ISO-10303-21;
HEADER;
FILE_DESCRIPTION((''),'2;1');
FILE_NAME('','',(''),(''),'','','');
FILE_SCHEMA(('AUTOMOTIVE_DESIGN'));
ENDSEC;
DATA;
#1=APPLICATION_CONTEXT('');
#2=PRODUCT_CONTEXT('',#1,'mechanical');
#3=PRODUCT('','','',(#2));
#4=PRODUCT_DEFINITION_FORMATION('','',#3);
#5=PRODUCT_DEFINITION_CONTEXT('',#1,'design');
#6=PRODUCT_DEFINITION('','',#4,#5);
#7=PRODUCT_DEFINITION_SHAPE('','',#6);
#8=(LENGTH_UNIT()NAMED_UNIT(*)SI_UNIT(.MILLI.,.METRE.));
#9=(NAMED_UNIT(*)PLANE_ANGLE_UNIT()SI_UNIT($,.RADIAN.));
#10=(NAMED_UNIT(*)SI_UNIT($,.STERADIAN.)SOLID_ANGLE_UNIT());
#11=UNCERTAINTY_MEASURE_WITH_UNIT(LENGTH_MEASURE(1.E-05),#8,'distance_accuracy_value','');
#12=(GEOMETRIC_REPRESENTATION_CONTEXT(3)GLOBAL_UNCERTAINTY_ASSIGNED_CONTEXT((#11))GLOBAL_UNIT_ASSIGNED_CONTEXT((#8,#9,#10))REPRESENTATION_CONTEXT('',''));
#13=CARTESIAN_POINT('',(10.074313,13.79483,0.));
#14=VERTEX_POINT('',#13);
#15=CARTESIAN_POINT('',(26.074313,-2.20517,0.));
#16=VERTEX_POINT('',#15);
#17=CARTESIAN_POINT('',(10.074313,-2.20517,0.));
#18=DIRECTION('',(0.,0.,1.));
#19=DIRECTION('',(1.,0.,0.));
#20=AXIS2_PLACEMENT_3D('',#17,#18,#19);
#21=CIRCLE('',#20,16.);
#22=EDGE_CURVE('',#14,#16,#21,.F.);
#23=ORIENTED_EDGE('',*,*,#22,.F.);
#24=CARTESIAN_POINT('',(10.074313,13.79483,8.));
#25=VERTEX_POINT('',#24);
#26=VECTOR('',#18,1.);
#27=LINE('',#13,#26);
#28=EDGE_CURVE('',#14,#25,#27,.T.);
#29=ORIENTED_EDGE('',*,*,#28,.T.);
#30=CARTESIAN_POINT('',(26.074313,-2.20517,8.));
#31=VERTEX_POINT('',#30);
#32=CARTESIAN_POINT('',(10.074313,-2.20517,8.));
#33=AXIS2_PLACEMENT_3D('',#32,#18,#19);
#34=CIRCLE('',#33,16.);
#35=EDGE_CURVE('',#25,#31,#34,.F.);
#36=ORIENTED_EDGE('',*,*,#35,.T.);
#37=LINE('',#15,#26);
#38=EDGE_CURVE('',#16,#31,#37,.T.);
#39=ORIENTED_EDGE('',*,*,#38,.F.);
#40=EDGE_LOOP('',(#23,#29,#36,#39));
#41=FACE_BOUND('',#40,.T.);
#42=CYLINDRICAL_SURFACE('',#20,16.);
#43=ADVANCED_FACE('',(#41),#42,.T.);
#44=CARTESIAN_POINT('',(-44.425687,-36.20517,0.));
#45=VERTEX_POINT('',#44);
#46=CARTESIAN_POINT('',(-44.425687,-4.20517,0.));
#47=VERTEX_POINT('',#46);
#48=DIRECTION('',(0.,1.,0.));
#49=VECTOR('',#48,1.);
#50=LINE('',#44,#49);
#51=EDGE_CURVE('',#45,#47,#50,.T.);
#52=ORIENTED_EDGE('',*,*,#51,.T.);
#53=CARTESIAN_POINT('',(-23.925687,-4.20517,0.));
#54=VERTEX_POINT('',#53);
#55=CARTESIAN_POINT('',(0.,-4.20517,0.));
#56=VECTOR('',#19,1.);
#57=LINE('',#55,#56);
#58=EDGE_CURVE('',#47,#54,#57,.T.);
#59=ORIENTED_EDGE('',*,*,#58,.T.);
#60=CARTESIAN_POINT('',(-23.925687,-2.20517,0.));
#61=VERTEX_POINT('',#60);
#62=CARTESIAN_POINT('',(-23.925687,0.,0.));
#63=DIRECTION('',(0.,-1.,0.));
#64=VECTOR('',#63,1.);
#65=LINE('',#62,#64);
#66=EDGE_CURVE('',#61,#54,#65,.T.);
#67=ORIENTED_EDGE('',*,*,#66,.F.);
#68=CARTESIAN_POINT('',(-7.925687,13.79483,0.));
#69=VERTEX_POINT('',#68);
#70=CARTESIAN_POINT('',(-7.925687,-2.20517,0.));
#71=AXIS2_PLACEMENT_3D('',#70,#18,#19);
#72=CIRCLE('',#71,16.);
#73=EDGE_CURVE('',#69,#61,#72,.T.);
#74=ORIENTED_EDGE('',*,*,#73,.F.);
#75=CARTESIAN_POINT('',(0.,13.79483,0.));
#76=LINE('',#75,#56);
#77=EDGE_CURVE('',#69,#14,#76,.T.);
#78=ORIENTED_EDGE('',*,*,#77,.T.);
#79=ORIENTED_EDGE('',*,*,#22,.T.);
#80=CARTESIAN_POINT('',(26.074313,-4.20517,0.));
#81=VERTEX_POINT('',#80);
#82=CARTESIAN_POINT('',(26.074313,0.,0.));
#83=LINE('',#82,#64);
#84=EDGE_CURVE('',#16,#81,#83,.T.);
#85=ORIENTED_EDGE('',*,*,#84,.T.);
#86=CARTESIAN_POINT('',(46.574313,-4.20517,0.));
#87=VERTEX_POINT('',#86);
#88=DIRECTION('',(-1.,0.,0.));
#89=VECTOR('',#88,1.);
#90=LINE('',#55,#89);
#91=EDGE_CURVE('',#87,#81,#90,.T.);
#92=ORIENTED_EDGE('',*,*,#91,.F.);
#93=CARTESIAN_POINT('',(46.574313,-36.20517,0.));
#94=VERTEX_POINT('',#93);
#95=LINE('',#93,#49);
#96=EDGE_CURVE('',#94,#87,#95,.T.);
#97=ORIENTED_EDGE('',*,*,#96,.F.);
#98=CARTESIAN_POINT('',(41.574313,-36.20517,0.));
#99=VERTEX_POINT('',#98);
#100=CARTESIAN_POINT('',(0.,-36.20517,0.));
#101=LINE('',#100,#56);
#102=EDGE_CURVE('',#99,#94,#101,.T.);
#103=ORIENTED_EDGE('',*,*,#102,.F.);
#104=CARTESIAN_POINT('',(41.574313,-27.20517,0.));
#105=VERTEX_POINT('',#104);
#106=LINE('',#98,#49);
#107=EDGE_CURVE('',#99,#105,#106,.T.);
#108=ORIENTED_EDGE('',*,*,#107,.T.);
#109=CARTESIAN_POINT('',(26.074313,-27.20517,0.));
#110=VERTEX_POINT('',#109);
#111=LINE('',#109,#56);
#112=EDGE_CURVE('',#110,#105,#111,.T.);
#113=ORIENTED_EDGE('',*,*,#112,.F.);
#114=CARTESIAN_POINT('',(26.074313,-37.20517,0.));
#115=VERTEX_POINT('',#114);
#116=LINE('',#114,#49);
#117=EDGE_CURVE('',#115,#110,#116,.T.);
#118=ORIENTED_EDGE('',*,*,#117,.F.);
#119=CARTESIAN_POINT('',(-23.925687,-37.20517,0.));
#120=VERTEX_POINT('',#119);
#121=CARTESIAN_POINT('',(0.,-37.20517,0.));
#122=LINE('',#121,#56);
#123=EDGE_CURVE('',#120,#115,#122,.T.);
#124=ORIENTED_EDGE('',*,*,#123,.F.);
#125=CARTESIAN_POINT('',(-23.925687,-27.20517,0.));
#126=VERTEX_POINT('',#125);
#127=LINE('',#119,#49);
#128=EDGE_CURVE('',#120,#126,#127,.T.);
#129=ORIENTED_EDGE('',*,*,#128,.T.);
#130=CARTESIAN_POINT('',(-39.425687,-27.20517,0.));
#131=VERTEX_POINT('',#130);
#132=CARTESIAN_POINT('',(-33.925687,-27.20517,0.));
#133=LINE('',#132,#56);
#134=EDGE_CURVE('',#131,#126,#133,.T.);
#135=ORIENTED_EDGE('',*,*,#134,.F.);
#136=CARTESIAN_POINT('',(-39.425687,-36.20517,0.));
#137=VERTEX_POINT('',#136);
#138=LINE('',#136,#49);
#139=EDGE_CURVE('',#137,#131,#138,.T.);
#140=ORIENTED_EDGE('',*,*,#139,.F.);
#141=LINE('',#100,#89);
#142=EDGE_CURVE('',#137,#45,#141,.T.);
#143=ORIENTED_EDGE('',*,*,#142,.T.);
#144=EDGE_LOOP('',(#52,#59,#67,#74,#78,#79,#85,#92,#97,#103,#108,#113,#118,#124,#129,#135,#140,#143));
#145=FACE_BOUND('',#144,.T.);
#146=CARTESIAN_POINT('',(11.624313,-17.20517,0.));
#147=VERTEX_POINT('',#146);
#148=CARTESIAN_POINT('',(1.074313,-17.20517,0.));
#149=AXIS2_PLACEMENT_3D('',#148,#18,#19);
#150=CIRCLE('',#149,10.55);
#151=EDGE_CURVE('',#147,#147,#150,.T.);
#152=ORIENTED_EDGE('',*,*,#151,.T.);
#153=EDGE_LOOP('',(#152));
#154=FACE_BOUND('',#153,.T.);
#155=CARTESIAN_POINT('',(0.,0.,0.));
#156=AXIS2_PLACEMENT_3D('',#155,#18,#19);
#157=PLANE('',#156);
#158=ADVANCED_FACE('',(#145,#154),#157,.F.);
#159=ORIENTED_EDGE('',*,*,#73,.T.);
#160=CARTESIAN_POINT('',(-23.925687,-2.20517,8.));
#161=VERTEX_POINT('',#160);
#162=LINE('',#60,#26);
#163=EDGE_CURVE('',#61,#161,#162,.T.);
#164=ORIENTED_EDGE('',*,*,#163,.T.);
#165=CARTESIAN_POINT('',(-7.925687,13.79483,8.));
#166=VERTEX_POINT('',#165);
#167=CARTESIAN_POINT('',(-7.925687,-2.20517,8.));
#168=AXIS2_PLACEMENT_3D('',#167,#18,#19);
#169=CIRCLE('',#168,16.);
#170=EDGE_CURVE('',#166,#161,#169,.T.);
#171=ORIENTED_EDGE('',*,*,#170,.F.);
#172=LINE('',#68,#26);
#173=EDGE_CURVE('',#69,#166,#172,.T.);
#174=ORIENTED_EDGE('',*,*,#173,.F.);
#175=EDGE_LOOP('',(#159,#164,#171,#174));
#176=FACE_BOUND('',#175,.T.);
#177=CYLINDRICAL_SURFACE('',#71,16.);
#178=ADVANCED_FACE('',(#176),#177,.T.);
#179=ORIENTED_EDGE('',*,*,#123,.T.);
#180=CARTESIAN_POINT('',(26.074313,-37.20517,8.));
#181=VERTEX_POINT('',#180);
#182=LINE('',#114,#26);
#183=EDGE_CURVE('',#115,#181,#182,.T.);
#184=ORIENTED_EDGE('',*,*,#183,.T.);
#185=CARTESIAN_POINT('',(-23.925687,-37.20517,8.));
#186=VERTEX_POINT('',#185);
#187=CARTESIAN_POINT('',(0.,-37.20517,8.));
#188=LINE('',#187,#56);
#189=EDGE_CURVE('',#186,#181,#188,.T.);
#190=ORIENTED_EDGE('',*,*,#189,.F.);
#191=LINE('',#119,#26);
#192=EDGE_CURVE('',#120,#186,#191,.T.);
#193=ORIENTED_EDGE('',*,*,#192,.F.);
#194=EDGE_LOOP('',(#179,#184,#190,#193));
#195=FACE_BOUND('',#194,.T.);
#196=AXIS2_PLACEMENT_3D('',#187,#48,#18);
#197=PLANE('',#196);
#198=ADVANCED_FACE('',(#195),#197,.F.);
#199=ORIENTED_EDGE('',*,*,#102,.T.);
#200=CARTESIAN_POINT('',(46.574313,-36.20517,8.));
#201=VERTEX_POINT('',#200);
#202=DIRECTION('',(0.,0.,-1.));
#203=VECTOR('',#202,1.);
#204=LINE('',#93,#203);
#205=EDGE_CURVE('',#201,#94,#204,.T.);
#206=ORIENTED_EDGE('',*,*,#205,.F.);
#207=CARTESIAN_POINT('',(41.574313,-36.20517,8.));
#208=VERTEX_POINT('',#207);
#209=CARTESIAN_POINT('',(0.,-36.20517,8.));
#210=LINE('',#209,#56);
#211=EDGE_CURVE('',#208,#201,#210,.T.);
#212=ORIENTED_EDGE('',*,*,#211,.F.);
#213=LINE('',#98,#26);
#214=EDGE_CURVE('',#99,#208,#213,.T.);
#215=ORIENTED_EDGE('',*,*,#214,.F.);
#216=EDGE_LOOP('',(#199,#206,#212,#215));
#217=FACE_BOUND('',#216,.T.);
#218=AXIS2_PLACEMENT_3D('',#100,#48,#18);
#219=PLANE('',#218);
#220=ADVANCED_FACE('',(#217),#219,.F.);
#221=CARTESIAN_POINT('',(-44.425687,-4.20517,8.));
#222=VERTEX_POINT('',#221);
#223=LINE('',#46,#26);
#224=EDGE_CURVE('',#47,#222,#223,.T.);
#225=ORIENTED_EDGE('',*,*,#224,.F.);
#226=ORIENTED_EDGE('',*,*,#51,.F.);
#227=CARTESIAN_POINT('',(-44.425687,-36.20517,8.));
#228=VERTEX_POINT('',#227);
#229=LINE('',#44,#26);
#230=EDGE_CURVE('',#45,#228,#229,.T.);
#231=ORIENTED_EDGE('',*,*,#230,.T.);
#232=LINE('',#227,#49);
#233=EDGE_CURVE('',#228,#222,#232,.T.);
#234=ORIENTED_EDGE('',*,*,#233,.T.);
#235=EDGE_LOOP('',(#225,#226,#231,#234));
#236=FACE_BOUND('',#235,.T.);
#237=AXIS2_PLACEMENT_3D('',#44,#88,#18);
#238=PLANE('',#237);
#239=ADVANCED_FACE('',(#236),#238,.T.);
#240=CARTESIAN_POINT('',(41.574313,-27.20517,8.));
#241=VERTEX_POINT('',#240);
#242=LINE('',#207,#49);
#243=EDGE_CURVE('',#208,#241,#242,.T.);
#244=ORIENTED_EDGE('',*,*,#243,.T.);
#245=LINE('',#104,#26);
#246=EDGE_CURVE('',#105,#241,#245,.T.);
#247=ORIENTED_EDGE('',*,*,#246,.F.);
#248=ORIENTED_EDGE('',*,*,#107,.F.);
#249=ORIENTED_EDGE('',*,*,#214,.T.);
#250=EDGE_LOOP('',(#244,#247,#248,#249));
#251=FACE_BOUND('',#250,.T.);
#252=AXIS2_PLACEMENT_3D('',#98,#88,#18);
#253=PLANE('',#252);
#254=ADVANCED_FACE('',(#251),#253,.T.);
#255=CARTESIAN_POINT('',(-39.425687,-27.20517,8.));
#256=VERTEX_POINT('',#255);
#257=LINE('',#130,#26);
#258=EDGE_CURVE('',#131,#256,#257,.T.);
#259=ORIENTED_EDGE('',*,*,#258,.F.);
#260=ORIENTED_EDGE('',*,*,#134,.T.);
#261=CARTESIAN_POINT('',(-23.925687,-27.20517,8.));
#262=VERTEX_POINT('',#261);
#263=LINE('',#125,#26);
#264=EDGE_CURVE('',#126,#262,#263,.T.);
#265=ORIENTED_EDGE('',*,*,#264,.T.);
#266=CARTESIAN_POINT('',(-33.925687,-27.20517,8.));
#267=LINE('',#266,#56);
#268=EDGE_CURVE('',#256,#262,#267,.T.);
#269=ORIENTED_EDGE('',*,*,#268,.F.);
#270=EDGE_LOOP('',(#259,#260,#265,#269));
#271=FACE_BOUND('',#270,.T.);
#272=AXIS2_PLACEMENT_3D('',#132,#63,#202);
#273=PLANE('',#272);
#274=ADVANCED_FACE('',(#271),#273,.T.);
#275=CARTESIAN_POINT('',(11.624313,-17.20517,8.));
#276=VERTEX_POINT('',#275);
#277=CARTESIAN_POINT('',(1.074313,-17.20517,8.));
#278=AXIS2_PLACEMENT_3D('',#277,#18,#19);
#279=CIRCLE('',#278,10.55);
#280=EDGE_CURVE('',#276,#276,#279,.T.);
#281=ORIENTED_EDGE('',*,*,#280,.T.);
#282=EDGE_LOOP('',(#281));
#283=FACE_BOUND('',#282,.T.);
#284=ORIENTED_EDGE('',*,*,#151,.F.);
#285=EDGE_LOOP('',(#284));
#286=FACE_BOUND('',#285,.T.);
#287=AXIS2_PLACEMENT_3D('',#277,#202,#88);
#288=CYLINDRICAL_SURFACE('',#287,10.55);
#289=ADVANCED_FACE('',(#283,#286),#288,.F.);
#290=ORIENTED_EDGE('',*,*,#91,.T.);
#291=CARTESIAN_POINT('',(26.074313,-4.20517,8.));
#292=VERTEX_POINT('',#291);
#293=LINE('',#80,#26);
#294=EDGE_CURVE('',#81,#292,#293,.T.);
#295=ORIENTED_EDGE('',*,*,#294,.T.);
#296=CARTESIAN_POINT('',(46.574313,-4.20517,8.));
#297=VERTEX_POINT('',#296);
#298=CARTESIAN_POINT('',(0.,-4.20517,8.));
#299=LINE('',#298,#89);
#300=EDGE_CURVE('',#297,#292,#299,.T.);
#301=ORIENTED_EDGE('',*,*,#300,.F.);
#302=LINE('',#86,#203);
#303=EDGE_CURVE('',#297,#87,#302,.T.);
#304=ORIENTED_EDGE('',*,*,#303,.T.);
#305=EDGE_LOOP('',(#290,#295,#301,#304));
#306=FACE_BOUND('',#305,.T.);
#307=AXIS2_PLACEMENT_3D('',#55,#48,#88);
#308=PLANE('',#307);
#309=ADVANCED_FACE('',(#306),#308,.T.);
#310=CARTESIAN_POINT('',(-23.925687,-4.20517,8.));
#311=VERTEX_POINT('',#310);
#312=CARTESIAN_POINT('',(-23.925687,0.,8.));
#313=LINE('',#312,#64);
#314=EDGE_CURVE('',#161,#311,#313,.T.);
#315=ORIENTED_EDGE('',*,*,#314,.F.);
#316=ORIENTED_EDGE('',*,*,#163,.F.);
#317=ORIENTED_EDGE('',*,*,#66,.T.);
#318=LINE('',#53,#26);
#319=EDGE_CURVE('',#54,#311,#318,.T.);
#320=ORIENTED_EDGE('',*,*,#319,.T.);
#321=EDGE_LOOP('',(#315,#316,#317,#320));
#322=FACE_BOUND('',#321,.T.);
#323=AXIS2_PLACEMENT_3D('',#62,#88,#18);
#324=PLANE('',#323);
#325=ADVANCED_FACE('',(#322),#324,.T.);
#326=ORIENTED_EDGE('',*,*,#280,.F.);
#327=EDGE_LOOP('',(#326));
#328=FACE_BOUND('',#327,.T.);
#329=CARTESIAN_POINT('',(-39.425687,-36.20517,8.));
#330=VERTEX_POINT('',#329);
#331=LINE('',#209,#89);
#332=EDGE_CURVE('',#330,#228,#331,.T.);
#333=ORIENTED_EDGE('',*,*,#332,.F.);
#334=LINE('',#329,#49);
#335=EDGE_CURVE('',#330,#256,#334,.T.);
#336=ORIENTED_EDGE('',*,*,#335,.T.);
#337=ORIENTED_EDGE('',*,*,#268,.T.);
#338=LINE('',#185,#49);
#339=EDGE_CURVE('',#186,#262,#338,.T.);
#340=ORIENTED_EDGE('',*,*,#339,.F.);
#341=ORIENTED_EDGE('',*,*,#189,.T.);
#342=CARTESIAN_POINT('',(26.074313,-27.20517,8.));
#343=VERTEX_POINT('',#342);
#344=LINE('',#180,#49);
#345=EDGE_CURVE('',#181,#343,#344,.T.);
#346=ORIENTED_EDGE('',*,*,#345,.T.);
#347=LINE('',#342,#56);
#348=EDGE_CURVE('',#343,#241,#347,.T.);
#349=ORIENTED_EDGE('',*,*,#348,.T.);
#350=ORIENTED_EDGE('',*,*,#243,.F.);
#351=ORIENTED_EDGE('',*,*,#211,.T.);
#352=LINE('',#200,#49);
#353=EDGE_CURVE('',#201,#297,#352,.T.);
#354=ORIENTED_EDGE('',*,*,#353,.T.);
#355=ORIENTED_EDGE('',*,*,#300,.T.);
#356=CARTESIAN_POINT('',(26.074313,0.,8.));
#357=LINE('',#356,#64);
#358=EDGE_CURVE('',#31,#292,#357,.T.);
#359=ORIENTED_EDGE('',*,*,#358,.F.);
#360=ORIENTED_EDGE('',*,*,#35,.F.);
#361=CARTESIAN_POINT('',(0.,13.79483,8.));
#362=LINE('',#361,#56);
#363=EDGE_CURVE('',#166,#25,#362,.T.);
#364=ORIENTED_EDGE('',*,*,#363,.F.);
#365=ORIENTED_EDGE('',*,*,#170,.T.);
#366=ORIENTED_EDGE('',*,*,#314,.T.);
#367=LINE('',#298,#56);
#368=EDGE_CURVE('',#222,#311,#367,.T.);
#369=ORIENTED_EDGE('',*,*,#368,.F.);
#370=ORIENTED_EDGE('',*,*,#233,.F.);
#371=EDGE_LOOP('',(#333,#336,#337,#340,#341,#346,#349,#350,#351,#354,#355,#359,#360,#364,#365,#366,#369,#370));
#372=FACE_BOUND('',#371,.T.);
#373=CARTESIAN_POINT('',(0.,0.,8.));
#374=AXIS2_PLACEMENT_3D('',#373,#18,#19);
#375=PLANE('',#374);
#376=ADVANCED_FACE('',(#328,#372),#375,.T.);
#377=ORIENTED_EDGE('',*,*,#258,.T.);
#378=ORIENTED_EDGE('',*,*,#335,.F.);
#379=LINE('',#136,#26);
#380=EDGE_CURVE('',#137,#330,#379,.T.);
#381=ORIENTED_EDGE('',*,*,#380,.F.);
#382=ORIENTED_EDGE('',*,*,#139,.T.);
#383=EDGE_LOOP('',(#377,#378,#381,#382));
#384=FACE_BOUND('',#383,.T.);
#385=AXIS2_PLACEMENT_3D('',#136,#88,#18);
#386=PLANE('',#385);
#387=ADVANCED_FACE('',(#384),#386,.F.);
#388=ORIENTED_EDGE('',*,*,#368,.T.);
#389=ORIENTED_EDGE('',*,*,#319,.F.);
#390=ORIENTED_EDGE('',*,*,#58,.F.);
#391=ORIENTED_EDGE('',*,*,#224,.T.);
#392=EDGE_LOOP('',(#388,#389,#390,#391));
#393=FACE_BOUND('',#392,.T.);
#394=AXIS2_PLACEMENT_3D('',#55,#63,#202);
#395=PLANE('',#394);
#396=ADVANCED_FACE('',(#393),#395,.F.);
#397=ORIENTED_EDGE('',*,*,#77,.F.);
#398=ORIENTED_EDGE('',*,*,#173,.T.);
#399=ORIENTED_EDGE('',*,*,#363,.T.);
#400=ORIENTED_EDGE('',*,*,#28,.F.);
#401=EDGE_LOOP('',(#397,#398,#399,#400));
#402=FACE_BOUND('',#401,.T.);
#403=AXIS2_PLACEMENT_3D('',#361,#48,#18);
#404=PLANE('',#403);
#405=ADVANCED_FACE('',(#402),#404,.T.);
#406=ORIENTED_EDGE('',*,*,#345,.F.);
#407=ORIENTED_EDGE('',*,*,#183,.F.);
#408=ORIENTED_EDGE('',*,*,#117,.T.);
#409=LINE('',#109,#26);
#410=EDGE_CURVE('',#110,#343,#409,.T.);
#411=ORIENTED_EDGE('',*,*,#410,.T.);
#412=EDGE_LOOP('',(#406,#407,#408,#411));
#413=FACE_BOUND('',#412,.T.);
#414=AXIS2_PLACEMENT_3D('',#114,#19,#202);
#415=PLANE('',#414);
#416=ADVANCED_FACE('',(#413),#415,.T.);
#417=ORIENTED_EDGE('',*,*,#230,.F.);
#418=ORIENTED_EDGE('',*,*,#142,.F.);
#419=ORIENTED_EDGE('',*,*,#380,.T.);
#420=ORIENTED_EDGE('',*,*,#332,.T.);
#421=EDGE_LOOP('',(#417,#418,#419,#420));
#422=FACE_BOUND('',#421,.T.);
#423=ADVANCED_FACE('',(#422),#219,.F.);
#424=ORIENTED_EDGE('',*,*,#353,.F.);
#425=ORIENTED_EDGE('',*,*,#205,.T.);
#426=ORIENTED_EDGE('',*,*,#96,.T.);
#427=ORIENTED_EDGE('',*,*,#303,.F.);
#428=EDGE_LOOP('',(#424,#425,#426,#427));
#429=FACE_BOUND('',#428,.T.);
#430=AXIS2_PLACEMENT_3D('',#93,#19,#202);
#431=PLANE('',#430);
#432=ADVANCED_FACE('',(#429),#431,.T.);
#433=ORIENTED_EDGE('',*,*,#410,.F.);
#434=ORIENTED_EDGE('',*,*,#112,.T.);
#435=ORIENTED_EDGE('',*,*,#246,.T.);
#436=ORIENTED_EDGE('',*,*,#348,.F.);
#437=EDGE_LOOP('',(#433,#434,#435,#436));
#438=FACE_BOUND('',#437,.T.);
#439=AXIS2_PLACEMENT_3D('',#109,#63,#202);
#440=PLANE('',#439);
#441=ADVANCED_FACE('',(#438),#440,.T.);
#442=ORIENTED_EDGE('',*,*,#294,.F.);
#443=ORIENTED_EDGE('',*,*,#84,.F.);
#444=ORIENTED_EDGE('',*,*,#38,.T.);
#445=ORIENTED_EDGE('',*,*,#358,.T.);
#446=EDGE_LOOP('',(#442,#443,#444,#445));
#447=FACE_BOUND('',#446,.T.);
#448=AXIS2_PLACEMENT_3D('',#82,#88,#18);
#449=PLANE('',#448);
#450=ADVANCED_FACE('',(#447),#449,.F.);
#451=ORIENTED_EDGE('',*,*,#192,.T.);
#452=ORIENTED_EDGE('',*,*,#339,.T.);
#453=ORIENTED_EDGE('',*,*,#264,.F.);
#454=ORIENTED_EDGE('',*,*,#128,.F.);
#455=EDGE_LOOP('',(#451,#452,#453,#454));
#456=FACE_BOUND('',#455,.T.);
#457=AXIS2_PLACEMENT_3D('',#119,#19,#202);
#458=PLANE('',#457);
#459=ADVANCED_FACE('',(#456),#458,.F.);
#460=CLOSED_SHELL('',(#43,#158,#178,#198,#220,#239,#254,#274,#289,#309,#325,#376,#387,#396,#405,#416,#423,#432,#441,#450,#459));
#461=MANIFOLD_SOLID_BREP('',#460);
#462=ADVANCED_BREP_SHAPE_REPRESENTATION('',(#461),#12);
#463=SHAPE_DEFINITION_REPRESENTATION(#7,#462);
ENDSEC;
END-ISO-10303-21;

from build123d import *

# Parameters (mm, degrees)
BOSS_EXTRUDE1_DEPTH = 8
SKETCH3_W           = 10
SKETCH3_H           = 10
CUT_EXTRUDE1_DEPTH  = 53.436444721
SKETCH5_W           = 5.5
SKETCH5_H           = 8
BOSS_EXTRUDE2_DEPTH = 23
SKETCH5_3_W         = 5
SKETCH5_3_H         = 8
BOSS_EXTRUDE3_DEPTH = 32
SKETCH5_5_W         = 5
SKETCH5_5_H         = 8
BOSS_EXTRUDE4_DEPTH = 32
SKETCH5_6_W         = 5.5
SKETCH5_6_H         = 8
BOSS_EXTRUDE5_DEPTH = 23


with BuildPart() as part:
    # Sketch2 → Boss-Extrude1 (new body)
    with BuildSketch(Plane.XY):
        Polygon((36.074313409, 13.794830372), (-33.925686591, 13.794830372), (-33.925686591, -37.205169628), (1.074313409, -37.205169628), (36.074313409, -37.205169628), align=None)
        with BuildLine():
            ThreePointArc((11.624313409, -17.205169628), (8.53428995, -24.66514617), (1.074313409, -27.755169628))
            ThreePointArc((1.074313409, -27.755169628), (-6.385663133, -9.745193087), (11.624313409, -17.205169628))
        make_face(mode=Mode.SUBTRACT)
    extrude(amount=BOSS_EXTRUDE1_DEPTH)

    # Sketch3 → Cut-Extrude1 (cut, through all)
    with BuildSketch(Plane.XY.offset(8)):
        with Locations((31.074313409, -32.205169628)):
            Rectangle(SKETCH3_W, SKETCH3_H)
        with Locations((-28.925686591, -32.205169628)):
            Rectangle(SKETCH3_W, SKETCH3_H)
        with BuildLine():
            ThreePointArc((-23.925686591, -2.205169628), (-19.23939509, 9.108538871), (-7.925686591, 13.794830372))
            Line((-7.925686591, 13.794830372), (-33.925686591, 13.794830372))
            Line((-33.925686591, 13.794830372), (-33.925686591, -4.205169628))
            Line((-33.925686591, -4.205169628), (-23.925686591, -4.205169628))
            Line((-23.925686591, -4.205169628), (-23.925686591, -2.205169628))
        make_face()
        with BuildLine():
            Line((26.074313409, -4.205169628), (36.074313409, -4.205169628))
            Line((36.074313409, -4.205169628), (36.074313409, 13.794830372))
            Line((36.074313409, 13.794830372), (10.074313409, 13.794830372))
            ThreePointArc((10.074313409, 13.794830372), (21.388021908, 9.108538871), (26.074313409, -2.205169628))
            Line((26.074313409, -2.205169628), (26.074313409, -4.205169628))
        make_face()
    extrude(amount=-CUT_EXTRUDE1_DEPTH, mode=Mode.SUBTRACT)

    # Sketch5 → Boss-Extrude2 (add)
    with BuildSketch(Plane(origin=(0, -4.205169628, 0), x_dir=(1, 0, 0), z_dir=(0, 1, 0))):
        with Locations((-36.675686591, -4)):
            Rectangle(SKETCH5_W, SKETCH5_H)
    extrude(amount=-BOSS_EXTRUDE2_DEPTH)

    # Sketch5<3> → Boss-Extrude3 (add)
    with BuildSketch(Plane(origin=(0, -4.205169628, 0), x_dir=(1, 0, 0), z_dir=(0, 1, 0))):
        with Locations((-41.925686591, -4)):
            Rectangle(SKETCH5_3_W, SKETCH5_3_H)
    extrude(amount=-BOSS_EXTRUDE3_DEPTH)



with BuildPart() as body_2:
    # Sketch5<5> → Boss-Extrude4 (new body)
    with BuildSketch(Plane(origin=(0, -4.205169628, 0), x_dir=(1, 0, 0), z_dir=(0, 1, 0))):
        with Locations((44.074313409, -4)):
            Rectangle(SKETCH5_5_W, SKETCH5_5_H)
    extrude(amount=-BOSS_EXTRUDE4_DEPTH)


with BuildPart() as part_1:
    add(part.part)

    add(body_2.part)  # Boss-Extrude5 merges body 2
    # Sketch5<6> → Boss-Extrude5 (add)
    with BuildSketch(Plane(origin=(0, -4.205169628, 0), x_dir=(1, 0, 0), z_dir=(0, 1, 0))):
        with Locations((38.824313409, -4)):
            Rectangle(SKETCH5_6_W, SKETCH5_6_H)
    extrude(amount=-BOSS_EXTRUDE5_DEPTH)


solid = part_1.part
